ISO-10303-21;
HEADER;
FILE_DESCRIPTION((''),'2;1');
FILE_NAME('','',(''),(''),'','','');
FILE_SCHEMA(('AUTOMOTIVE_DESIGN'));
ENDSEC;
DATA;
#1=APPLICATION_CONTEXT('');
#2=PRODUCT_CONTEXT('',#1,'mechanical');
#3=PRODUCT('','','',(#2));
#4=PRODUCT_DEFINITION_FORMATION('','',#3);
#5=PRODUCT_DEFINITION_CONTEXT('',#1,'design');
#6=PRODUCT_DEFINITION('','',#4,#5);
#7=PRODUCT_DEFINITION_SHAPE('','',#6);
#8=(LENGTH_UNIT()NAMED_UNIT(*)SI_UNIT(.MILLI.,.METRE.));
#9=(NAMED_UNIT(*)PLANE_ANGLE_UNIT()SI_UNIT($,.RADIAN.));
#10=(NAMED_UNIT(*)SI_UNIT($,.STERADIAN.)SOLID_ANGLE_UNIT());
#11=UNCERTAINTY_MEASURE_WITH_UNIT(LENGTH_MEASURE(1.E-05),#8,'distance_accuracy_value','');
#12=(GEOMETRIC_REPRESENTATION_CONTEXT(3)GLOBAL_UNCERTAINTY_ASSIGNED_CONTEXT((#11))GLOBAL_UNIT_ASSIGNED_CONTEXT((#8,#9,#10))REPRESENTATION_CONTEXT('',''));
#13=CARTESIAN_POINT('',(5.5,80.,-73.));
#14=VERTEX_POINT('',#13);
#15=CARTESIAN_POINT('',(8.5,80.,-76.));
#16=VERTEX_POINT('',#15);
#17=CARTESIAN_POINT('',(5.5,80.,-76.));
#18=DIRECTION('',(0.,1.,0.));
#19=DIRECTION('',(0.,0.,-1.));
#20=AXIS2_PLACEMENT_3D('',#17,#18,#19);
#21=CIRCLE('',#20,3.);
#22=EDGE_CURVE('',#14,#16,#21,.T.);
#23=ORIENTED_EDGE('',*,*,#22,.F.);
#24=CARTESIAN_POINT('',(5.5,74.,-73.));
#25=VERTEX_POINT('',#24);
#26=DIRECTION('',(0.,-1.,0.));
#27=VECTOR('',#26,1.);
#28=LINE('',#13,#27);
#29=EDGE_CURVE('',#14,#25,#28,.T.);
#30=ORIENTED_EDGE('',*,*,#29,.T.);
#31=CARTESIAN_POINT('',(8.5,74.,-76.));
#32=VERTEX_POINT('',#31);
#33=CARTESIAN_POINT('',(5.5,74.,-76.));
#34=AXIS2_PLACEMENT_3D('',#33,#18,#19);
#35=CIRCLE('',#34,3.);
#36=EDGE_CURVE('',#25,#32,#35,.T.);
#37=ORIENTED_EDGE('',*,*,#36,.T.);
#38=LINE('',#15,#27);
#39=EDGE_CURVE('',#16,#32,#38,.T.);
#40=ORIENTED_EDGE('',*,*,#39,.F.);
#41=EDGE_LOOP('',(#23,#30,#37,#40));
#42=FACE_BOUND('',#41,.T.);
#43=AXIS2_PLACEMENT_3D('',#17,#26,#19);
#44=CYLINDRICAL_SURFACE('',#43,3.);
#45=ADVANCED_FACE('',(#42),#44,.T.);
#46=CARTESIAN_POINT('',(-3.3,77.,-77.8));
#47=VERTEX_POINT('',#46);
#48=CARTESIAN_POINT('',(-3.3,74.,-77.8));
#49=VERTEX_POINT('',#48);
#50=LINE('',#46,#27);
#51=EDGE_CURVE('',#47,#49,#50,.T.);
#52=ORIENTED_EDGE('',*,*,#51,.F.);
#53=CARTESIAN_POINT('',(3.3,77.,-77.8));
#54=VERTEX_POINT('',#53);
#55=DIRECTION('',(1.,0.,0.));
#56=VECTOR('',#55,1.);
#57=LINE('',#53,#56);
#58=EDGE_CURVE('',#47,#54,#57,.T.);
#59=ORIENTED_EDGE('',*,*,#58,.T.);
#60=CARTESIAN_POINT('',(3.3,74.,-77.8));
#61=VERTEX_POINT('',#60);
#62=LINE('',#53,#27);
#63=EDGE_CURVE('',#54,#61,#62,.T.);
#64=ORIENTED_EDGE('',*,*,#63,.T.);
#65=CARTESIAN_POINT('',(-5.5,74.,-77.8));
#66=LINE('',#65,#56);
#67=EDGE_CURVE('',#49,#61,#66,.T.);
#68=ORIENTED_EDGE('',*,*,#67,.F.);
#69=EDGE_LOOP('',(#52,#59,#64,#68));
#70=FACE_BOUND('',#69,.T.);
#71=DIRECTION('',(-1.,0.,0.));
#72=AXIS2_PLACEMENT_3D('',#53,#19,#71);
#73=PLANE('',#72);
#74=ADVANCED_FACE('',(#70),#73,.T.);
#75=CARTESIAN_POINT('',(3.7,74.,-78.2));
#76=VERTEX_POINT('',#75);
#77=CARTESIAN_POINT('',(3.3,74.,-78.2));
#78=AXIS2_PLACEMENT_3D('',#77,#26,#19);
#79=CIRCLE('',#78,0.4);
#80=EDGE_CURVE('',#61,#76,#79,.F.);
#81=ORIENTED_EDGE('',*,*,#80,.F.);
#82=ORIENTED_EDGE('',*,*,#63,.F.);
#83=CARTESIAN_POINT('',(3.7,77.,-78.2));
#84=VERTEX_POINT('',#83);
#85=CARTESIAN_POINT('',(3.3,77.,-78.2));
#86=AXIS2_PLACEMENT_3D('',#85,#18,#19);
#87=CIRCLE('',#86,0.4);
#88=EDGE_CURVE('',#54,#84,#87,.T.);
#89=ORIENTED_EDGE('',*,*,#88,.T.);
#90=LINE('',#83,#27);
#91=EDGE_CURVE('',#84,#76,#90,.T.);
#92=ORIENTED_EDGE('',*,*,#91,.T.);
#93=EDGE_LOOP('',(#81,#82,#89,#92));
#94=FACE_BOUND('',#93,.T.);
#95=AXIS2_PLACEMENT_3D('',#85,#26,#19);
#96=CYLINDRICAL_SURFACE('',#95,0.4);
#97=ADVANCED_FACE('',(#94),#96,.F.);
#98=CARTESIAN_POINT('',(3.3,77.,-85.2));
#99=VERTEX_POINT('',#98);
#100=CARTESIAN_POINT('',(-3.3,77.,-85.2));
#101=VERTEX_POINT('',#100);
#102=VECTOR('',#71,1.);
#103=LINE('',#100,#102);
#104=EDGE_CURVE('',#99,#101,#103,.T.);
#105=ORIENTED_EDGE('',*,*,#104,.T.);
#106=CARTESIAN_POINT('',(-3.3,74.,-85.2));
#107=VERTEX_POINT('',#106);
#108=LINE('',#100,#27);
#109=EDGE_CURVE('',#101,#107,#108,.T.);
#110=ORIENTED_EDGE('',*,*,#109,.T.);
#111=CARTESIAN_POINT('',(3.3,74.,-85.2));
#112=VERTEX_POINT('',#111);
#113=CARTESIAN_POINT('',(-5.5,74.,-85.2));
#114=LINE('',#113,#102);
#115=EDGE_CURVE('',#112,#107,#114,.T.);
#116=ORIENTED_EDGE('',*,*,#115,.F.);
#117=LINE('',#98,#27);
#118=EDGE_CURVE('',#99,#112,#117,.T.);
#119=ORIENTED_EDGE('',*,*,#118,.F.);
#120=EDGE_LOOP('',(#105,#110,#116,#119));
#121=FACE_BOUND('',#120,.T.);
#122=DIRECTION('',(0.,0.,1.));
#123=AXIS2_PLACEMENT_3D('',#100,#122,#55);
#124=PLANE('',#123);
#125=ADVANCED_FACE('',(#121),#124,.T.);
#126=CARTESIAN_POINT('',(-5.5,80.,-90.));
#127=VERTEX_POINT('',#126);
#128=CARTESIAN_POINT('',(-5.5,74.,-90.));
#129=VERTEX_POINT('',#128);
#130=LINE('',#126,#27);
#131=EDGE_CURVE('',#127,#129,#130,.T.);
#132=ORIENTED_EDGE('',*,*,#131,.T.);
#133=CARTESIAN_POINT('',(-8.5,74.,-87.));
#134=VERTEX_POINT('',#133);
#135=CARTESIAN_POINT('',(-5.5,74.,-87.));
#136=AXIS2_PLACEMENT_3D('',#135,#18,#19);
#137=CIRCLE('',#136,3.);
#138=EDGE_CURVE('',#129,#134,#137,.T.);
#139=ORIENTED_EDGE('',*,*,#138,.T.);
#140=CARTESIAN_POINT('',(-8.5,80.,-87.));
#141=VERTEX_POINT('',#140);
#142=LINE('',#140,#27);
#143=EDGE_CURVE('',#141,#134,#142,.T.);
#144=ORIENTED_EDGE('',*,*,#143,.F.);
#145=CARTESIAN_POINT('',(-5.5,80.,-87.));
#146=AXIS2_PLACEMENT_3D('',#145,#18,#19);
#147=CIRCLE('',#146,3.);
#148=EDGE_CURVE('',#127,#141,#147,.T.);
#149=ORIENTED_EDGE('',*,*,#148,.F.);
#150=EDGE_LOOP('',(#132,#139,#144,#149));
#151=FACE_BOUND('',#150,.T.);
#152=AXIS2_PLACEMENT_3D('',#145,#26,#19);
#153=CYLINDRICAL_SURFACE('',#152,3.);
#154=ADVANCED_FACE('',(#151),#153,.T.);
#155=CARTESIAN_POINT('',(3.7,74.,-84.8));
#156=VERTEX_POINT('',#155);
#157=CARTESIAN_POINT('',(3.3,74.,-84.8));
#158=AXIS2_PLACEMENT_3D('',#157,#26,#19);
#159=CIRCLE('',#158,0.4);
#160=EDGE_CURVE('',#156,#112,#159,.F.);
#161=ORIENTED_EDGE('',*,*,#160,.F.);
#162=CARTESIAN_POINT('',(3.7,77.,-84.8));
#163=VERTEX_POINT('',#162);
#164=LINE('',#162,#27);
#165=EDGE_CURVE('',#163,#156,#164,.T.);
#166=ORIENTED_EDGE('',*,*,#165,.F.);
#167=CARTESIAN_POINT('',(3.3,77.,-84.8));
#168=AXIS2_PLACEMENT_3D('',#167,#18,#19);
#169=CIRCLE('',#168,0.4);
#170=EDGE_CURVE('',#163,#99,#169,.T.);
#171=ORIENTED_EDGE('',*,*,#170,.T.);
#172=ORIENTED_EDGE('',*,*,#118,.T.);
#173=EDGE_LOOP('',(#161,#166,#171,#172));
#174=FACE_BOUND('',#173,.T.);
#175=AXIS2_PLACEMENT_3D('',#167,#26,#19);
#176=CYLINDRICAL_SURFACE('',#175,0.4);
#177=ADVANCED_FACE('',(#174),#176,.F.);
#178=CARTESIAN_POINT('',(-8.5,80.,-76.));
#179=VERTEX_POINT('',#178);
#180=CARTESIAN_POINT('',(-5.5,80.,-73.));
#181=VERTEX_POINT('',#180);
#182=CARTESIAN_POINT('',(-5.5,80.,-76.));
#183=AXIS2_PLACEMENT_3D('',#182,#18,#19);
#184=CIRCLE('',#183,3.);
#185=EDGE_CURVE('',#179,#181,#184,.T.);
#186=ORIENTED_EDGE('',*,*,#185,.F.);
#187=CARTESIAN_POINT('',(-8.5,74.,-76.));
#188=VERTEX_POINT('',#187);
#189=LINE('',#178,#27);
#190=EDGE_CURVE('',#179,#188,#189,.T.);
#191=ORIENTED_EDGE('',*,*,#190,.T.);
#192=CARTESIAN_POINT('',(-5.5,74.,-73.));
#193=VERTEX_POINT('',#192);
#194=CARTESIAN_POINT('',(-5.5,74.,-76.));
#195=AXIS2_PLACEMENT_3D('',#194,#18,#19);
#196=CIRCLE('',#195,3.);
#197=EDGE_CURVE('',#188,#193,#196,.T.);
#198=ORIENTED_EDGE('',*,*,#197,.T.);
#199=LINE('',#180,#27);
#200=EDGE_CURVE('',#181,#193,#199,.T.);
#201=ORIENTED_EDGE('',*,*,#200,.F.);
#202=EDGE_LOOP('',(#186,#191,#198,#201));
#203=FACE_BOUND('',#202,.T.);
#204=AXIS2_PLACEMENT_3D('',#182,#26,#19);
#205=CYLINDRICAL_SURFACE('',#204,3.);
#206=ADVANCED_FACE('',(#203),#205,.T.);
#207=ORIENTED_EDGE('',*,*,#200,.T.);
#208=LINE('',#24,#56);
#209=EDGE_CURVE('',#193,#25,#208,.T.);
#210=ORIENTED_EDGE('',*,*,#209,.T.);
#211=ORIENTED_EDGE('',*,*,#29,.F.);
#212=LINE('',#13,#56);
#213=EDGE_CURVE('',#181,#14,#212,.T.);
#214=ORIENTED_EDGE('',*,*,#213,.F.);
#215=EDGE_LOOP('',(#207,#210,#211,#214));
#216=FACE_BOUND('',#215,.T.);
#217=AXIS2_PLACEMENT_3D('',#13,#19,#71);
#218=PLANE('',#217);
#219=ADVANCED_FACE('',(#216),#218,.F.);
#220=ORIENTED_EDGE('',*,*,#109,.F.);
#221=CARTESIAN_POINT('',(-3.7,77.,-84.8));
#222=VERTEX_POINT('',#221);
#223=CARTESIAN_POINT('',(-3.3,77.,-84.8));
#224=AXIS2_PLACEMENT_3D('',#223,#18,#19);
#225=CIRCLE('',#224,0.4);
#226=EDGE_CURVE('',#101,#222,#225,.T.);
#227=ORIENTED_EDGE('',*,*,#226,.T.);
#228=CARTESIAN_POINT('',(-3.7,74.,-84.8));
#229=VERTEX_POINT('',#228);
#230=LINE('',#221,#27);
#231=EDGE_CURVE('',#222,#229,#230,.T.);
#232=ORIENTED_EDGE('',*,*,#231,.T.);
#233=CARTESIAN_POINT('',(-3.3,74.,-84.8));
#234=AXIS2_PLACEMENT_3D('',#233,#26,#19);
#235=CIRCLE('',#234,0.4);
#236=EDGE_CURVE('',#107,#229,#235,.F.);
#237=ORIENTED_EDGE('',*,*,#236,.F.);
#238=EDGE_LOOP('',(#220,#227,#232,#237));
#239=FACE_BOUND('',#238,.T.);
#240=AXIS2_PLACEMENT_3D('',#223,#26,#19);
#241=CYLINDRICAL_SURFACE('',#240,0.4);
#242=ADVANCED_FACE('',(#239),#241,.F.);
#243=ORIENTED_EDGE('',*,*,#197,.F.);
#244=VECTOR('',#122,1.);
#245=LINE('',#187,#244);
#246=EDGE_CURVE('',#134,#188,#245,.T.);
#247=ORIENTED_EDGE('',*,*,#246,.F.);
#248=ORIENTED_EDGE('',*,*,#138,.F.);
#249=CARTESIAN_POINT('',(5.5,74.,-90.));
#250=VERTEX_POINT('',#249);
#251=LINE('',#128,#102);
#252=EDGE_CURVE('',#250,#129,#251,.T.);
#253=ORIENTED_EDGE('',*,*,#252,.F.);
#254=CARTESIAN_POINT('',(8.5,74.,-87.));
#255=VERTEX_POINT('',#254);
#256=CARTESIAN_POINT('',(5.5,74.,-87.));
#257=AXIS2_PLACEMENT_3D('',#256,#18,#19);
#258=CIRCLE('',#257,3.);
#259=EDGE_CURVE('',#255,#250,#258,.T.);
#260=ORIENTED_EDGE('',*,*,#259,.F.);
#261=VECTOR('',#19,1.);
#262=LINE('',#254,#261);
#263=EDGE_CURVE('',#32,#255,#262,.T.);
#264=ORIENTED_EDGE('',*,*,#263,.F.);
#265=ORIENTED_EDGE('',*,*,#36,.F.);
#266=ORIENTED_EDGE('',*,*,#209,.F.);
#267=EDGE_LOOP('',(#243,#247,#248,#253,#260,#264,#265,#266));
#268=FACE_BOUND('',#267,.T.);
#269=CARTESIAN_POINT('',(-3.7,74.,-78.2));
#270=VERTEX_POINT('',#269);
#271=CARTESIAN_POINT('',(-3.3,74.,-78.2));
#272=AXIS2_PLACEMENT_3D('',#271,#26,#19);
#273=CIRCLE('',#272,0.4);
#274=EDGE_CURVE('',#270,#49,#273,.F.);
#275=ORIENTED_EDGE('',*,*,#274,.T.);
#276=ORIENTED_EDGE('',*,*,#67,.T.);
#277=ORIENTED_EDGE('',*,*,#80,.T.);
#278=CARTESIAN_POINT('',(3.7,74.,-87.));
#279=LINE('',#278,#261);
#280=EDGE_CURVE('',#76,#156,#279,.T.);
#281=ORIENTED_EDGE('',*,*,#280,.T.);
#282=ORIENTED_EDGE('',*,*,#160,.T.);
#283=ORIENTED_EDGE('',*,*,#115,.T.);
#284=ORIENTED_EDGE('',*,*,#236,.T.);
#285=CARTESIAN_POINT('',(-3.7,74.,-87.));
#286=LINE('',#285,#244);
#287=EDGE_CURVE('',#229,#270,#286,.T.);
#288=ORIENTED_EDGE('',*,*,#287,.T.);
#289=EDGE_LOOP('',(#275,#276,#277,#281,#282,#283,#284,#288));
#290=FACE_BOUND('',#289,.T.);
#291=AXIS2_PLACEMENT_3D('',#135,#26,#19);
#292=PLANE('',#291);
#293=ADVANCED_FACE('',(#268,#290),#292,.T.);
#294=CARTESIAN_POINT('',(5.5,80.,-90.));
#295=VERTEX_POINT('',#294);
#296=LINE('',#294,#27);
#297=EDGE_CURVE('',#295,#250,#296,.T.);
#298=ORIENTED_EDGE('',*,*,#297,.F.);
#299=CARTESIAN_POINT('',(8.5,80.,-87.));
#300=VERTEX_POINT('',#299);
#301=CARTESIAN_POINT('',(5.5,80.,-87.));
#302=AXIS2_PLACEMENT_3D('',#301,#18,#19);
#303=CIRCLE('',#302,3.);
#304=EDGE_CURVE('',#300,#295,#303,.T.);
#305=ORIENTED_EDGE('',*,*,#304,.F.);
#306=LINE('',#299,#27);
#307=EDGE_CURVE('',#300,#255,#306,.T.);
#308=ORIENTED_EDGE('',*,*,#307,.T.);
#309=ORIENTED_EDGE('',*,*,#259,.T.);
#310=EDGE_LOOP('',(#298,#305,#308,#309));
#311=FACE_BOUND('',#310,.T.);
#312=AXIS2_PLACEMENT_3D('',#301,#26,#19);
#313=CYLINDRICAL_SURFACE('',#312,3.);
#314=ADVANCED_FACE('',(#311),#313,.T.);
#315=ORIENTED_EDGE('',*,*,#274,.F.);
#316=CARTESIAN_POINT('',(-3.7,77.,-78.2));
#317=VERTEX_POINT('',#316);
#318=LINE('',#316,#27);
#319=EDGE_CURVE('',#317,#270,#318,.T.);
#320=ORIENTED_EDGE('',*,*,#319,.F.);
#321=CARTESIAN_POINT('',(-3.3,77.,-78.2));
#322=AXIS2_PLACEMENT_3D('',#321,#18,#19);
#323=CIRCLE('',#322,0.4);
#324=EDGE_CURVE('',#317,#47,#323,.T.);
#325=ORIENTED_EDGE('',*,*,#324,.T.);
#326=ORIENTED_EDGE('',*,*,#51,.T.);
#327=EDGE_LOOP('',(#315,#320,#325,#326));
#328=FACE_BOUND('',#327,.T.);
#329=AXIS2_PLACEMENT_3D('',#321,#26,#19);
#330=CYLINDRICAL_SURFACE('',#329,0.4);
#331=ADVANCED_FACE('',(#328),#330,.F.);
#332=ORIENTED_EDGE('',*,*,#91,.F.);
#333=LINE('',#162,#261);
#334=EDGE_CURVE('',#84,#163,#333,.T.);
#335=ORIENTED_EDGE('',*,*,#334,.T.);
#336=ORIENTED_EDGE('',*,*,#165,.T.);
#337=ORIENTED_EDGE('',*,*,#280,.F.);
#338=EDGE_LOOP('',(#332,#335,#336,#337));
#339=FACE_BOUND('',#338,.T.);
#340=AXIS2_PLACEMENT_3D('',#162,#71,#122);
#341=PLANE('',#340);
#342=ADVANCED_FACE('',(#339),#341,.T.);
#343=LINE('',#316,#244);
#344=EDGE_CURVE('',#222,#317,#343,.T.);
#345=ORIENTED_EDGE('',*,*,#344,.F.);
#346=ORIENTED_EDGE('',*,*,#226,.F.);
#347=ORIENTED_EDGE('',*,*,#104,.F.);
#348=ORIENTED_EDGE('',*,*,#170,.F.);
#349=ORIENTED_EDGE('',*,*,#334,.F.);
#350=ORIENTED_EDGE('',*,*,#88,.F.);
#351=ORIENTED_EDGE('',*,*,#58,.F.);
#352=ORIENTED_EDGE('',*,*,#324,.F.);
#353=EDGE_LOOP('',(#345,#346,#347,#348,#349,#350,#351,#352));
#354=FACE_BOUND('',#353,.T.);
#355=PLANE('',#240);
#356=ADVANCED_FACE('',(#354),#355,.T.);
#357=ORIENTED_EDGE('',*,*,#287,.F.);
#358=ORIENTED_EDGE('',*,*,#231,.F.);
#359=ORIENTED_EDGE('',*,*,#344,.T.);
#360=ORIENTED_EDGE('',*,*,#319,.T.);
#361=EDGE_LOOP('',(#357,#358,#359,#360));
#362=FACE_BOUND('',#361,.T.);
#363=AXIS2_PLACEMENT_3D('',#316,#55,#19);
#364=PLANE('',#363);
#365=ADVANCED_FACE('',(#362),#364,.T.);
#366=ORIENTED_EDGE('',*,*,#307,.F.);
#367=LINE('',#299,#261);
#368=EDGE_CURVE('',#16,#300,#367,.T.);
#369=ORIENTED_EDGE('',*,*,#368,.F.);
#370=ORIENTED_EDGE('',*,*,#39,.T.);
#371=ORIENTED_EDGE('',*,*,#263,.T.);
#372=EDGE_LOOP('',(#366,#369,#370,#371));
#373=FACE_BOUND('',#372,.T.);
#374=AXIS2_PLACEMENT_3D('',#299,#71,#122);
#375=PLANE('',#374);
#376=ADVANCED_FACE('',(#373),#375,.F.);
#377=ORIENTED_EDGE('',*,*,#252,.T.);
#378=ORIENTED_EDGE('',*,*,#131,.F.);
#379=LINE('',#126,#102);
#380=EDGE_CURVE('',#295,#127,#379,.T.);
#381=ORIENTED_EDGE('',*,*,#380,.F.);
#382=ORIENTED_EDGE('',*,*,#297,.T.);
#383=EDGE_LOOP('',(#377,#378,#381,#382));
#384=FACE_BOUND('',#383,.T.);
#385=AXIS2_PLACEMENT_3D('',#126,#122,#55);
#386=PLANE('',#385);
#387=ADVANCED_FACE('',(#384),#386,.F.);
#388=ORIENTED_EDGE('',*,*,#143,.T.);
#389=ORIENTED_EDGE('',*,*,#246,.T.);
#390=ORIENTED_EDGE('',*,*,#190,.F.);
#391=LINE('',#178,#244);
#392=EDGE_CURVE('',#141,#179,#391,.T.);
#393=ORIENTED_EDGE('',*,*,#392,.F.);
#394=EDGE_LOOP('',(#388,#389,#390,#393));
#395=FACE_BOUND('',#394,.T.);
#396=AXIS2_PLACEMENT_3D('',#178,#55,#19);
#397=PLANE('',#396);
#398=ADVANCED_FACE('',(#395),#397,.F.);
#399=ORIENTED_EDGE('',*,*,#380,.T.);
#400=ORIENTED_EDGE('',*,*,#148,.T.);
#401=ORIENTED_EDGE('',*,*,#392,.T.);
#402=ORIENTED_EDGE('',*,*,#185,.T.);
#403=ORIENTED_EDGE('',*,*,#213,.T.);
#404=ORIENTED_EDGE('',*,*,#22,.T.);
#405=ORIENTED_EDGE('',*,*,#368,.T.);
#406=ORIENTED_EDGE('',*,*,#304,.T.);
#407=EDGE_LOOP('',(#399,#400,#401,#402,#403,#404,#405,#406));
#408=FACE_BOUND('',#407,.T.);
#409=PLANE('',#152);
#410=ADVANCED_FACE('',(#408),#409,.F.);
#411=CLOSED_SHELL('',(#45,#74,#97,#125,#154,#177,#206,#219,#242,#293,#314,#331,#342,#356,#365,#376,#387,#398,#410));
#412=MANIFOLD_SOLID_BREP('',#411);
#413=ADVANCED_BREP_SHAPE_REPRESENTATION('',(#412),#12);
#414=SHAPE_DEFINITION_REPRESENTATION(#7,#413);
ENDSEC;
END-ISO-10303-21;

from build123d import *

# Parameters (mm, degrees)
CAP_START         = 74
CAP_DEPTH         = 6
STEM_START        = 73.8
STEM_SOCKET_DEPTH = 3.2


with BuildPart() as part:
    # Sketch1 → Cap (new body)
    with BuildSketch(Plane(origin=(0, 0, 0), x_dir=(1, 0, 0), z_dir=(0, 1, 0)).offset(CAP_START)):
        with BuildLine():
            Line((-5.5, 90), (5.5, 90))
            ThreePointArc((5.5, 90), (7.621320344, 89.121320344), (8.5, 87))
            Line((8.5, 87), (8.5, 76))
            ThreePointArc((8.5, 76), (7.621320344, 73.878679656), (5.5, 73))
            Line((5.5, 73), (-5.5, 73))
            ThreePointArc((-5.5, 73), (-7.621320344, 73.878679656), (-8.5, 76))
            Line((-8.5, 76), (-8.5, 87))
            ThreePointArc((-8.5, 87), (-7.621320344, 89.121320344), (-5.5, 90))
        make_face()
    extrude(amount=CAP_DEPTH)

    # Sketch2 → Stem socket (cut)
    with BuildSketch(Plane(origin=(0, 0, 0), x_dir=(1, 0, 0), z_dir=(0, 1, 0)).offset(STEM_START)):
        with BuildLine():
            Line((-3.3, 85.2), (3.3, 85.2))
            ThreePointArc((3.3, 85.2), (3.582842712, 85.082842712), (3.7, 84.8))
            Line((3.7, 84.8), (3.7, 78.2))
            ThreePointArc((3.7, 78.2), (3.582842712, 77.917157288), (3.3, 77.8))
            Line((3.3, 77.8), (-3.3, 77.8))
            ThreePointArc((-3.3, 77.8), (-3.582842712, 77.917157288), (-3.7, 78.2))
            Line((-3.7, 78.2), (-3.7, 84.8))
            ThreePointArc((-3.7, 84.8), (-3.582842712, 85.082842712), (-3.3, 85.2))
        make_face()
    extrude(amount=STEM_SOCKET_DEPTH, mode=Mode.SUBTRACT)


solid = part.part
